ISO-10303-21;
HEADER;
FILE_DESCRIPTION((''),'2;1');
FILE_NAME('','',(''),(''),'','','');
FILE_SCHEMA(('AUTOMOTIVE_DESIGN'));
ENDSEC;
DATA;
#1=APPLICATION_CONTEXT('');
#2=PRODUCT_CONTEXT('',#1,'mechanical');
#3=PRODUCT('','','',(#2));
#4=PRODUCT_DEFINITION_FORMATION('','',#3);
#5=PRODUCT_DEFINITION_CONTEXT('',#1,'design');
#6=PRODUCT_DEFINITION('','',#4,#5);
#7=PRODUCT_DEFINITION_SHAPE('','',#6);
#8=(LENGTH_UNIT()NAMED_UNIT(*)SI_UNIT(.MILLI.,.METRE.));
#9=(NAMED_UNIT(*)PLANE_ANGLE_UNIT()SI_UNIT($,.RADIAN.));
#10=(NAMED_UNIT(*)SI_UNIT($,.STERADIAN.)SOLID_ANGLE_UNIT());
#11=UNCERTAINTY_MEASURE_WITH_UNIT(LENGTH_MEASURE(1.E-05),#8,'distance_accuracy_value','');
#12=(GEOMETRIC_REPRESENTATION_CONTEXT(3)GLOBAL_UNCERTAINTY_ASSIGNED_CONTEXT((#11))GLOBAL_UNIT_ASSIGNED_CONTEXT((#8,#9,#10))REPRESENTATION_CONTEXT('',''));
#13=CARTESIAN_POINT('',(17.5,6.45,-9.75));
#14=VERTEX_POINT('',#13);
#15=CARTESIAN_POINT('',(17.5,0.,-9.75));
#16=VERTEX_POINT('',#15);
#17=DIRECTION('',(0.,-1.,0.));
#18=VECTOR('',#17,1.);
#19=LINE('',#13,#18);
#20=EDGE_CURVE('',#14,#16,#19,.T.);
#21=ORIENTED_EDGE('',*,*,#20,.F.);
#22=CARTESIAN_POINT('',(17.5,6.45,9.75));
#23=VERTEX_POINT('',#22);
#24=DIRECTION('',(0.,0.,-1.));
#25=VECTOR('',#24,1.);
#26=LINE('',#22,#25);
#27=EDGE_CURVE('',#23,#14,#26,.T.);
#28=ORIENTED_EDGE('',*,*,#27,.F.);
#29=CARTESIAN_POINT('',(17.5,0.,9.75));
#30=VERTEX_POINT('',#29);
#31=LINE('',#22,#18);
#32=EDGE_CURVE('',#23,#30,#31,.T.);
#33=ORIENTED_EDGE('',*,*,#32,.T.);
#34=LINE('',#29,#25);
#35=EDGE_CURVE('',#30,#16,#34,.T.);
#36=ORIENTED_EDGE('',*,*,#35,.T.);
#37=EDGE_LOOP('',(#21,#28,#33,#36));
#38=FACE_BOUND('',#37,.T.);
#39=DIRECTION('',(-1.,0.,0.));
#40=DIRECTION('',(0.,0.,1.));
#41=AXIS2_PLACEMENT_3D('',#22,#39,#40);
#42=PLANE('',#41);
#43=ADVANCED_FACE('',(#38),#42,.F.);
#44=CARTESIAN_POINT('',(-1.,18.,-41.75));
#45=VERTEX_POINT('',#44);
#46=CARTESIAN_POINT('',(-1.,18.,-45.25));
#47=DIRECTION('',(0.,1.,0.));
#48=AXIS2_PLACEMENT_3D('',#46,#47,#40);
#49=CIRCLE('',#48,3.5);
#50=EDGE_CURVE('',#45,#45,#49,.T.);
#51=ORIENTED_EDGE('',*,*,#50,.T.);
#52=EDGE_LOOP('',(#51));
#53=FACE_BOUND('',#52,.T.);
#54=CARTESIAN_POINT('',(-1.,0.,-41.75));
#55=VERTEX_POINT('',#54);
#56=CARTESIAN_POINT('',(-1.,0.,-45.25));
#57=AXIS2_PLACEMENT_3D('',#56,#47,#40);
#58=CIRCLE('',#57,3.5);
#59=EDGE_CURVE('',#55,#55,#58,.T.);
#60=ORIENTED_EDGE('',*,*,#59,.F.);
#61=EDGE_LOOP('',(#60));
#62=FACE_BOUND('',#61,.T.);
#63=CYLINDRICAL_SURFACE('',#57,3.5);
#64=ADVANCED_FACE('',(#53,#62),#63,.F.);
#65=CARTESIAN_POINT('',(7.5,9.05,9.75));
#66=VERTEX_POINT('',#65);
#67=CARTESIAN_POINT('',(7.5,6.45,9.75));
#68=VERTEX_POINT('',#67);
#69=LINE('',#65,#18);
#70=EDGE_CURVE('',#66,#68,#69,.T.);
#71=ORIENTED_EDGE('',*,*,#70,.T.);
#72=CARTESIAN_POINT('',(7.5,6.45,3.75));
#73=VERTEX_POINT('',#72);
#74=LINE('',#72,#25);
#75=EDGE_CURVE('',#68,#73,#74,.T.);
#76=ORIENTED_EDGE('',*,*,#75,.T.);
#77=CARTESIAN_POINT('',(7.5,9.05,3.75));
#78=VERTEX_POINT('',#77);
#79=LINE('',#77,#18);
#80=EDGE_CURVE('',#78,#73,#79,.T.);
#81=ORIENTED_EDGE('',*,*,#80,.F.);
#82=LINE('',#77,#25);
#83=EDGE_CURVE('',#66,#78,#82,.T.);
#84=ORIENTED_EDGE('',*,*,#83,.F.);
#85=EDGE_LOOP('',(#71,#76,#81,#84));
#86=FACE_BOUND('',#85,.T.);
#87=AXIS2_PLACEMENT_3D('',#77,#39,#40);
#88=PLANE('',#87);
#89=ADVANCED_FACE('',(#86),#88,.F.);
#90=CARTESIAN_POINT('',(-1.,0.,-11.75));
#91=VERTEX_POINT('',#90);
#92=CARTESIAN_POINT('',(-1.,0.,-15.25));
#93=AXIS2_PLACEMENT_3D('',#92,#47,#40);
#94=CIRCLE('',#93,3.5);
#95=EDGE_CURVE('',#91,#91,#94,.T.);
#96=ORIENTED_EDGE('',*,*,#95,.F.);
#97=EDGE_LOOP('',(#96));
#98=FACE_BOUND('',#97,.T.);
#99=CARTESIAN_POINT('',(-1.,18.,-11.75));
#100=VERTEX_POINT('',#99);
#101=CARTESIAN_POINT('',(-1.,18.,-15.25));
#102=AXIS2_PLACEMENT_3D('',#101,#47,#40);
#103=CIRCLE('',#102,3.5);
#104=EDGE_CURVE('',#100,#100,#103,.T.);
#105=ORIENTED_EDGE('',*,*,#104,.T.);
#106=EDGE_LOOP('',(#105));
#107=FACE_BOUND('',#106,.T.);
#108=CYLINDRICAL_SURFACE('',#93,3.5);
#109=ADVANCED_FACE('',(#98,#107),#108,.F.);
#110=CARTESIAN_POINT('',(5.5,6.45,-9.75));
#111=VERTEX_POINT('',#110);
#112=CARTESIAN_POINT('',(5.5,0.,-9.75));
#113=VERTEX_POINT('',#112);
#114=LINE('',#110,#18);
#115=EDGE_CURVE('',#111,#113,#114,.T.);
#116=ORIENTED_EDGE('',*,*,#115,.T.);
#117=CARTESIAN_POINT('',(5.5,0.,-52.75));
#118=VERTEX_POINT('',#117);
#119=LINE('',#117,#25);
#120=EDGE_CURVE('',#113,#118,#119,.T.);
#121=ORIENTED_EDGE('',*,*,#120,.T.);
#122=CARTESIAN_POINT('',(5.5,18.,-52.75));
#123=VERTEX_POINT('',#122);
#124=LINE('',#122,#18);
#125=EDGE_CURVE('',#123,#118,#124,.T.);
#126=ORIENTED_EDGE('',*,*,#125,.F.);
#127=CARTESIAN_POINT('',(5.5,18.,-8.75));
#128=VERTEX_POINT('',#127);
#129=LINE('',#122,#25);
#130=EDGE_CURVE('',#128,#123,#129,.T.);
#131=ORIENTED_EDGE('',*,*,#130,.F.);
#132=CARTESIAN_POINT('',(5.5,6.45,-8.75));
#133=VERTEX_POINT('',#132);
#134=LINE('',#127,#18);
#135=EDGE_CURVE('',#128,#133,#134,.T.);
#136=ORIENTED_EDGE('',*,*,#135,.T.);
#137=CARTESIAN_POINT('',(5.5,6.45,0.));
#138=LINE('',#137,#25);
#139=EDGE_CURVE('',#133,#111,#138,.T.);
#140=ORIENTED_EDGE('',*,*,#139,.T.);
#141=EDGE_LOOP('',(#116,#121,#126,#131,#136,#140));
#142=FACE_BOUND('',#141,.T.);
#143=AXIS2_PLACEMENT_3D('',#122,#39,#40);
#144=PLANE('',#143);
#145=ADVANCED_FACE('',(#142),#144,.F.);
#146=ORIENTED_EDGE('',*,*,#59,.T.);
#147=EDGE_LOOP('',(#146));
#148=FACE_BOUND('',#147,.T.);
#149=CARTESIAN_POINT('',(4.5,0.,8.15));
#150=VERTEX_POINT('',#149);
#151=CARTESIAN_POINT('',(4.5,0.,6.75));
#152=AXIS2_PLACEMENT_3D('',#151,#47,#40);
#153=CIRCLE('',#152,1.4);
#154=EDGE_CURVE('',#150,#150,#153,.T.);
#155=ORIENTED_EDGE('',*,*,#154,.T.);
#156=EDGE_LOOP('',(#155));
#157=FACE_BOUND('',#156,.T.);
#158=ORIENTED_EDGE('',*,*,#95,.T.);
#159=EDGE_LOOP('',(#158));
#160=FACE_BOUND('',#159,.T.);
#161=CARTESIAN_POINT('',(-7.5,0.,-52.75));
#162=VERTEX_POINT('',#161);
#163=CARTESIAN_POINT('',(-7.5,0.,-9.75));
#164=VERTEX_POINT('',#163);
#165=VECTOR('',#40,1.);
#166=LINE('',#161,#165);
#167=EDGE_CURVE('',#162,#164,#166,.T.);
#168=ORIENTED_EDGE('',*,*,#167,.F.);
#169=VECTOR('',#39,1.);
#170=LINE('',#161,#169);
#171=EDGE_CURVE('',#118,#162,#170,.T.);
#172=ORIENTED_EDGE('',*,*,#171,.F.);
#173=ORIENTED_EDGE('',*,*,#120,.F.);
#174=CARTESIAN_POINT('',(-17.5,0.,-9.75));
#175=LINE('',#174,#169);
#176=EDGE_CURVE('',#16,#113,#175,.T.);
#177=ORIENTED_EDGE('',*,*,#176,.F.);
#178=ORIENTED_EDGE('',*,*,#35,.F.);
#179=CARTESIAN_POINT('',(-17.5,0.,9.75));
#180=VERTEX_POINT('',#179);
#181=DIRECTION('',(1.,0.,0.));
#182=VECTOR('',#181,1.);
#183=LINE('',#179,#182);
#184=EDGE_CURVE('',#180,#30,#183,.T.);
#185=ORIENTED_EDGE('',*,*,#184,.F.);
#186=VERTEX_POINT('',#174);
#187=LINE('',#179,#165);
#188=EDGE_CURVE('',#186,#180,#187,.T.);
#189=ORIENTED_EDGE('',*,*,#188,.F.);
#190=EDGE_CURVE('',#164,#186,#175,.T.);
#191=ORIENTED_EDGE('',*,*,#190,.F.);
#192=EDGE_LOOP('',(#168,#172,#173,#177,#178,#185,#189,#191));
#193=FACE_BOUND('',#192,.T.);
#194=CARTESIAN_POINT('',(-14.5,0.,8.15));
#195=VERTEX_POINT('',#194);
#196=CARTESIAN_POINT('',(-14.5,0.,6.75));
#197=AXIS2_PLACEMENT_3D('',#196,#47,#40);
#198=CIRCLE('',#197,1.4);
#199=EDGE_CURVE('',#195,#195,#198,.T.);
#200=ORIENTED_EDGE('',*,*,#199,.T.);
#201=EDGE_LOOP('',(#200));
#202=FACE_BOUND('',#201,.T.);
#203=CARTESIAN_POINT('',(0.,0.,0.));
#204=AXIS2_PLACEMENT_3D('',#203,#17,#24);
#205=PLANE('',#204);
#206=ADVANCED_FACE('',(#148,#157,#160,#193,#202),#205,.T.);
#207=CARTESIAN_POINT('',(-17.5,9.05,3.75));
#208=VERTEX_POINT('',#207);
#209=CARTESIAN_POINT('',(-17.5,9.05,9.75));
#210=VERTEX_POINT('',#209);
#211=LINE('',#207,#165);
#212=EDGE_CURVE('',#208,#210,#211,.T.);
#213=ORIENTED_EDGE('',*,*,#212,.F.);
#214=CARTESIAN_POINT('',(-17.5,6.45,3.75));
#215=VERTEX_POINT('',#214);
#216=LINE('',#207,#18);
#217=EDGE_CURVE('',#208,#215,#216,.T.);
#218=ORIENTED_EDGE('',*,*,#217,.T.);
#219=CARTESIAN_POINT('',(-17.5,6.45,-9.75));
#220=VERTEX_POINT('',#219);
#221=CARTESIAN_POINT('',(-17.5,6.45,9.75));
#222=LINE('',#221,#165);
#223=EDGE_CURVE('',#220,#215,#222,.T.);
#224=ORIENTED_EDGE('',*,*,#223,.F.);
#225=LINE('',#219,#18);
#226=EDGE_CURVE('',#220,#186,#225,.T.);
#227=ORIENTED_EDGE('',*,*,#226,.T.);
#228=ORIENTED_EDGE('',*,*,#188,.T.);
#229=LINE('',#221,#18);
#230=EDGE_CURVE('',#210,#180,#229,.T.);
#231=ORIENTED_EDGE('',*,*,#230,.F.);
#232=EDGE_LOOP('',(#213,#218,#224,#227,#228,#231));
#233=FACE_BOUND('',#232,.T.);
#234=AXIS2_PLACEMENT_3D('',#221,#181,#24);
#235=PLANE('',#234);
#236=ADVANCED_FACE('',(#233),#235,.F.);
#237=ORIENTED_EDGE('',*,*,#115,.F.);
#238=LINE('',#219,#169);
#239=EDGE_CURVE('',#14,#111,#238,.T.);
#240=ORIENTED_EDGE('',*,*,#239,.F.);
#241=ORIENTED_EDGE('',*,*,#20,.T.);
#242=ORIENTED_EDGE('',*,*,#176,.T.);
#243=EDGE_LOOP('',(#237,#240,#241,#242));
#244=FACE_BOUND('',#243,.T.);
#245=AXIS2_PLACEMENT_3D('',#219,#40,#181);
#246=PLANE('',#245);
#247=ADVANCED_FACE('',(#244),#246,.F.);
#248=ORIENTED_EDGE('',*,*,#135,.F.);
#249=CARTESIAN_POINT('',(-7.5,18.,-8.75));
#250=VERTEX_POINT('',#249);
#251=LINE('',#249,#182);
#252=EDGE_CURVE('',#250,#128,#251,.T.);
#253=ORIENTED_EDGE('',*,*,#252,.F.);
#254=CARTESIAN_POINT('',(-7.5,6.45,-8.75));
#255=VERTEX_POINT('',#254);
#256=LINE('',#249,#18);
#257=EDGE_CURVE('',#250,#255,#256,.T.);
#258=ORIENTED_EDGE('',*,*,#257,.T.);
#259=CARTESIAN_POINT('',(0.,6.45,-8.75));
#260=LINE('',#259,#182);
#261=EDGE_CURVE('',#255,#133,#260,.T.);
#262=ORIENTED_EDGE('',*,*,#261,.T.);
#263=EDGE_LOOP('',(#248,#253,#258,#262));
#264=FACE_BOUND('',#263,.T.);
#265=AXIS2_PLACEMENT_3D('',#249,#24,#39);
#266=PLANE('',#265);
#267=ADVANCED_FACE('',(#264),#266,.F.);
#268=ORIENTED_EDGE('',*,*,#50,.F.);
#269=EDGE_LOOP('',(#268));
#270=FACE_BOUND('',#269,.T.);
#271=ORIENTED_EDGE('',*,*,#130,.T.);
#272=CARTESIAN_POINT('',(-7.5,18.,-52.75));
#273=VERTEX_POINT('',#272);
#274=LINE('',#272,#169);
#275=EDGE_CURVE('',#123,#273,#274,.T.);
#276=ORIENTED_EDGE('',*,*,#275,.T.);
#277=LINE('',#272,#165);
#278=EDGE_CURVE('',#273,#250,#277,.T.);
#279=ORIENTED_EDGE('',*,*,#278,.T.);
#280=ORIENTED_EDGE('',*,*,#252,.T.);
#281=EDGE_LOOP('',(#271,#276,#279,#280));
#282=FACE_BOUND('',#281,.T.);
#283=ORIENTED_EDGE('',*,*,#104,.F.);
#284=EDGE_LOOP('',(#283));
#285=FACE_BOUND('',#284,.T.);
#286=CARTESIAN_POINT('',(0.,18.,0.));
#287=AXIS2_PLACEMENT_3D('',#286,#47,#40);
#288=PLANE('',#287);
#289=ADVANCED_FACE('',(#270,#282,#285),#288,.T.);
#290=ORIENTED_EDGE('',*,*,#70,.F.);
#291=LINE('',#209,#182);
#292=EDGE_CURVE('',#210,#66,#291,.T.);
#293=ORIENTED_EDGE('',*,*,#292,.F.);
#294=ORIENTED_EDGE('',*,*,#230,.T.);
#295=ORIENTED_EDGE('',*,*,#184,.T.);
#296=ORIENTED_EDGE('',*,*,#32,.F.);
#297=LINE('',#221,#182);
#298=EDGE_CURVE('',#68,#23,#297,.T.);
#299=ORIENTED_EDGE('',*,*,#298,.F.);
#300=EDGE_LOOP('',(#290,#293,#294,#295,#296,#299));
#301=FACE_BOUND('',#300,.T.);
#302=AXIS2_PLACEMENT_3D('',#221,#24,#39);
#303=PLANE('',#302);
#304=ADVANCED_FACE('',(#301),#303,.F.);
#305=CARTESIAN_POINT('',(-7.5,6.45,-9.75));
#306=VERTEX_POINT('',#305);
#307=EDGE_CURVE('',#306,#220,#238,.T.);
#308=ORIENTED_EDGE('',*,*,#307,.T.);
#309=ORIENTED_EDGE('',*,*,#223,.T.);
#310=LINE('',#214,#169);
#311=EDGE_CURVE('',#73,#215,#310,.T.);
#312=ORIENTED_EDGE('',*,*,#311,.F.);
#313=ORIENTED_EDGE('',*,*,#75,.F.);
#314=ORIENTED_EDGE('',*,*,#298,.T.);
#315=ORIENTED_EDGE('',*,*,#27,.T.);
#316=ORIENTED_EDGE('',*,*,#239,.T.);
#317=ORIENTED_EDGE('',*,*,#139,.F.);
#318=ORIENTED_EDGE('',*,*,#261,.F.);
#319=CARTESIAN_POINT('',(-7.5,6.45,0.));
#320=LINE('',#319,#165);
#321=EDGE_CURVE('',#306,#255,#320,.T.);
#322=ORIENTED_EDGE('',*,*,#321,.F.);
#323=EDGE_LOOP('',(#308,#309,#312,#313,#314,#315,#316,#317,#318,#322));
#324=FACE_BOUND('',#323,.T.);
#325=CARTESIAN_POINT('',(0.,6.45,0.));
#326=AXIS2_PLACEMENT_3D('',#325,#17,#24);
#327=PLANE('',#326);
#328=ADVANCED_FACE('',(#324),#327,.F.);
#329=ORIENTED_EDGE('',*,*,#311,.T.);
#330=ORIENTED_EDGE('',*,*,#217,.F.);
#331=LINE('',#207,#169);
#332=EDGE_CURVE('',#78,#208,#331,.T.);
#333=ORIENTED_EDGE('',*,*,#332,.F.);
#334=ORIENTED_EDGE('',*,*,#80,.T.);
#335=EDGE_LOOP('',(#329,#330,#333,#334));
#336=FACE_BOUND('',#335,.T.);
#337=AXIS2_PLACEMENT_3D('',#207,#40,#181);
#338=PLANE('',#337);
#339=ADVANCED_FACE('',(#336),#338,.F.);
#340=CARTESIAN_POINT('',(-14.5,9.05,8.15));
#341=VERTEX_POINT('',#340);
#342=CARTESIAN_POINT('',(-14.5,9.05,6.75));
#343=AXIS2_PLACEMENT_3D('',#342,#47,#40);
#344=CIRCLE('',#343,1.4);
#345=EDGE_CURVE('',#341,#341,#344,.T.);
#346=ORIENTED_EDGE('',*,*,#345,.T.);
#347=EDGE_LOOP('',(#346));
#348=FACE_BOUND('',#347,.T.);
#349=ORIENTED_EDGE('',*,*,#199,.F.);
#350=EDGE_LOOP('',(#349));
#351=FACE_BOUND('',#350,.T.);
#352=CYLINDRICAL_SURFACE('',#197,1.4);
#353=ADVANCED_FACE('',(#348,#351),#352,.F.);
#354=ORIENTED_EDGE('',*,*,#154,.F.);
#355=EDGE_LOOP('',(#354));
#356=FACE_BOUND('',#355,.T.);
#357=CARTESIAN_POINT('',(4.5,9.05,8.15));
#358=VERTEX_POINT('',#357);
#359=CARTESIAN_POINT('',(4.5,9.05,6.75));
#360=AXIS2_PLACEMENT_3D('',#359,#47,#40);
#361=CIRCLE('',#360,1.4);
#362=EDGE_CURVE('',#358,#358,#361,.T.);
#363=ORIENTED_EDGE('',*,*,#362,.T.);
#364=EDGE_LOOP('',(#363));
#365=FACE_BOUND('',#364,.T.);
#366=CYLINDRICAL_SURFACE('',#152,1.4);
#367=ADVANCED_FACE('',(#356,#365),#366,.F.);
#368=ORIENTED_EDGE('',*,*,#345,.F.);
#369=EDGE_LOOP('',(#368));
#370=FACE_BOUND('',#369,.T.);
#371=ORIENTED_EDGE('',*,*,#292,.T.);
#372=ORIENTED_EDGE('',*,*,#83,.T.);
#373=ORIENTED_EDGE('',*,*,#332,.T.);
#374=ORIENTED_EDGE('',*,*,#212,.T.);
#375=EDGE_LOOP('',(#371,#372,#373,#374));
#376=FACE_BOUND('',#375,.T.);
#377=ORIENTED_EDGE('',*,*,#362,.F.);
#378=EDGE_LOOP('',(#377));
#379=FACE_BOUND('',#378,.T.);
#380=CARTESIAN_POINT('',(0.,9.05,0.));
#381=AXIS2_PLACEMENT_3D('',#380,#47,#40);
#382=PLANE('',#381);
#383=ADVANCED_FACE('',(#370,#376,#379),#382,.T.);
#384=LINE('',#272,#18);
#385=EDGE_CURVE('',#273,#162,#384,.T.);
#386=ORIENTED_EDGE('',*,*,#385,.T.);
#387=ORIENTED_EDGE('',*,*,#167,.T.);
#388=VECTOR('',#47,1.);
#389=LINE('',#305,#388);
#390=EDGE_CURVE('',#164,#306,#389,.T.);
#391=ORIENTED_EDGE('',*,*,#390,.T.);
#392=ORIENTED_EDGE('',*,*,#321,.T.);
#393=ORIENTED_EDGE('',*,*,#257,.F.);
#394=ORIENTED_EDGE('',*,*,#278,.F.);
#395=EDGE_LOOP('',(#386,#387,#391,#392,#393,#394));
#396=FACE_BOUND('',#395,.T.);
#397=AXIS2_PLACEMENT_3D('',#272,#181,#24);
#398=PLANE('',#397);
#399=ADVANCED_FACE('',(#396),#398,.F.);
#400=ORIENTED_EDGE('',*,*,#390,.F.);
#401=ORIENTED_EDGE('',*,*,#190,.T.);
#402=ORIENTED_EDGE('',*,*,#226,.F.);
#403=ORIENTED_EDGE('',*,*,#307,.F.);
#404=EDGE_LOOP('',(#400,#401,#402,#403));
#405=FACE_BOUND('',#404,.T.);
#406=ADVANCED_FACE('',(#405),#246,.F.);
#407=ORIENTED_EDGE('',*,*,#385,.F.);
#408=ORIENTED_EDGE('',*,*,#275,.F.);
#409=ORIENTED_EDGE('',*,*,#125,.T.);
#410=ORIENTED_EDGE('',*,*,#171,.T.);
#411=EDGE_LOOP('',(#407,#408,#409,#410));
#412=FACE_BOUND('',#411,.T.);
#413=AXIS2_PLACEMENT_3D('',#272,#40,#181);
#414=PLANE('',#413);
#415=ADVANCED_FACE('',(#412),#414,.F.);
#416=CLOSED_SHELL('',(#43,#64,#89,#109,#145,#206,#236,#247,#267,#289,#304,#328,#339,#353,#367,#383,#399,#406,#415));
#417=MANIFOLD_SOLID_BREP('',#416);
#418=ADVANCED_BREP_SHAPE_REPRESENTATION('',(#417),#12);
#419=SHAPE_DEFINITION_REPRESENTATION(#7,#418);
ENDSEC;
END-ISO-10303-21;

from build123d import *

# Parameters (mm, degrees)
SKETCH1_W           = 35
SKETCH1_H           = 19.5
BOSS_EXTRUDE1_DEPTH = 6.45
SKETCH2_W           = 13
SKETCH2_H           = 44
BOSS_EXTRUDE2_DEPTH = 18
SKETCH3_R           = 3.5
CUT_EXTRUDE1_DEPTH  = 19
SKETCH4_W           = 25
SKETCH4_H           = 6
BOSS_EXTRUDE3_DEPTH = 2.6
SKETCH5_R           = 1.4
CUT_EXTRUDE2_DEPTH  = 10.05


with BuildPart() as part:
    # Sketch1 → Boss-Extrude1 (new body)
    with BuildSketch(Plane(origin=(0, 0, 0), x_dir=(1, 0, 0), z_dir=(0, 1, 0))):
        Rectangle(SKETCH1_W, SKETCH1_H)
    extrude(amount=BOSS_EXTRUDE1_DEPTH)

    # Sketch2 → Boss-Extrude2 (add)
    with BuildSketch(Plane(origin=(0, 0, 0), x_dir=(1, 0, 0), z_dir=(0, 1, 0))):
        with Locations((-1, 30.75)):
            Rectangle(SKETCH2_W, SKETCH2_H)
    extrude(amount=BOSS_EXTRUDE2_DEPTH)

    # Sketch3 → Cut-Extrude1 (cut, through all)
    with BuildSketch(Plane(origin=(0, 18, 0), x_dir=(1, 0, 0), z_dir=(0, 1, 0))):
        with Locations((-1, 45.25)):
            Circle(SKETCH3_R)
        with Locations((-1, 15.25)):
            Circle(SKETCH3_R)
    extrude(amount=-CUT_EXTRUDE1_DEPTH, mode=Mode.SUBTRACT)

    # Sketch4 → Boss-Extrude3 (add)
    with BuildSketch(Plane(origin=(0, 6.45, 0), x_dir=(1, 0, 0), z_dir=(0, 1, 0))):
        with Locations((-5, -6.75)):
            Rectangle(SKETCH4_W, SKETCH4_H)
    extrude(amount=BOSS_EXTRUDE3_DEPTH)

    # Sketch5 → Cut-Extrude2 (cut, through all)
    with BuildSketch(Plane(origin=(0, 9.05, 0), x_dir=(1, 0, 0), z_dir=(0, 1, 0))):
        with Locations((-14.5, -6.75)):
            Circle(SKETCH5_R)
        with Locations((4.5, -6.75)):
            Circle(SKETCH5_R)
    extrude(amount=-CUT_EXTRUDE2_DEPTH, mode=Mode.SUBTRACT)


solid = part.part
